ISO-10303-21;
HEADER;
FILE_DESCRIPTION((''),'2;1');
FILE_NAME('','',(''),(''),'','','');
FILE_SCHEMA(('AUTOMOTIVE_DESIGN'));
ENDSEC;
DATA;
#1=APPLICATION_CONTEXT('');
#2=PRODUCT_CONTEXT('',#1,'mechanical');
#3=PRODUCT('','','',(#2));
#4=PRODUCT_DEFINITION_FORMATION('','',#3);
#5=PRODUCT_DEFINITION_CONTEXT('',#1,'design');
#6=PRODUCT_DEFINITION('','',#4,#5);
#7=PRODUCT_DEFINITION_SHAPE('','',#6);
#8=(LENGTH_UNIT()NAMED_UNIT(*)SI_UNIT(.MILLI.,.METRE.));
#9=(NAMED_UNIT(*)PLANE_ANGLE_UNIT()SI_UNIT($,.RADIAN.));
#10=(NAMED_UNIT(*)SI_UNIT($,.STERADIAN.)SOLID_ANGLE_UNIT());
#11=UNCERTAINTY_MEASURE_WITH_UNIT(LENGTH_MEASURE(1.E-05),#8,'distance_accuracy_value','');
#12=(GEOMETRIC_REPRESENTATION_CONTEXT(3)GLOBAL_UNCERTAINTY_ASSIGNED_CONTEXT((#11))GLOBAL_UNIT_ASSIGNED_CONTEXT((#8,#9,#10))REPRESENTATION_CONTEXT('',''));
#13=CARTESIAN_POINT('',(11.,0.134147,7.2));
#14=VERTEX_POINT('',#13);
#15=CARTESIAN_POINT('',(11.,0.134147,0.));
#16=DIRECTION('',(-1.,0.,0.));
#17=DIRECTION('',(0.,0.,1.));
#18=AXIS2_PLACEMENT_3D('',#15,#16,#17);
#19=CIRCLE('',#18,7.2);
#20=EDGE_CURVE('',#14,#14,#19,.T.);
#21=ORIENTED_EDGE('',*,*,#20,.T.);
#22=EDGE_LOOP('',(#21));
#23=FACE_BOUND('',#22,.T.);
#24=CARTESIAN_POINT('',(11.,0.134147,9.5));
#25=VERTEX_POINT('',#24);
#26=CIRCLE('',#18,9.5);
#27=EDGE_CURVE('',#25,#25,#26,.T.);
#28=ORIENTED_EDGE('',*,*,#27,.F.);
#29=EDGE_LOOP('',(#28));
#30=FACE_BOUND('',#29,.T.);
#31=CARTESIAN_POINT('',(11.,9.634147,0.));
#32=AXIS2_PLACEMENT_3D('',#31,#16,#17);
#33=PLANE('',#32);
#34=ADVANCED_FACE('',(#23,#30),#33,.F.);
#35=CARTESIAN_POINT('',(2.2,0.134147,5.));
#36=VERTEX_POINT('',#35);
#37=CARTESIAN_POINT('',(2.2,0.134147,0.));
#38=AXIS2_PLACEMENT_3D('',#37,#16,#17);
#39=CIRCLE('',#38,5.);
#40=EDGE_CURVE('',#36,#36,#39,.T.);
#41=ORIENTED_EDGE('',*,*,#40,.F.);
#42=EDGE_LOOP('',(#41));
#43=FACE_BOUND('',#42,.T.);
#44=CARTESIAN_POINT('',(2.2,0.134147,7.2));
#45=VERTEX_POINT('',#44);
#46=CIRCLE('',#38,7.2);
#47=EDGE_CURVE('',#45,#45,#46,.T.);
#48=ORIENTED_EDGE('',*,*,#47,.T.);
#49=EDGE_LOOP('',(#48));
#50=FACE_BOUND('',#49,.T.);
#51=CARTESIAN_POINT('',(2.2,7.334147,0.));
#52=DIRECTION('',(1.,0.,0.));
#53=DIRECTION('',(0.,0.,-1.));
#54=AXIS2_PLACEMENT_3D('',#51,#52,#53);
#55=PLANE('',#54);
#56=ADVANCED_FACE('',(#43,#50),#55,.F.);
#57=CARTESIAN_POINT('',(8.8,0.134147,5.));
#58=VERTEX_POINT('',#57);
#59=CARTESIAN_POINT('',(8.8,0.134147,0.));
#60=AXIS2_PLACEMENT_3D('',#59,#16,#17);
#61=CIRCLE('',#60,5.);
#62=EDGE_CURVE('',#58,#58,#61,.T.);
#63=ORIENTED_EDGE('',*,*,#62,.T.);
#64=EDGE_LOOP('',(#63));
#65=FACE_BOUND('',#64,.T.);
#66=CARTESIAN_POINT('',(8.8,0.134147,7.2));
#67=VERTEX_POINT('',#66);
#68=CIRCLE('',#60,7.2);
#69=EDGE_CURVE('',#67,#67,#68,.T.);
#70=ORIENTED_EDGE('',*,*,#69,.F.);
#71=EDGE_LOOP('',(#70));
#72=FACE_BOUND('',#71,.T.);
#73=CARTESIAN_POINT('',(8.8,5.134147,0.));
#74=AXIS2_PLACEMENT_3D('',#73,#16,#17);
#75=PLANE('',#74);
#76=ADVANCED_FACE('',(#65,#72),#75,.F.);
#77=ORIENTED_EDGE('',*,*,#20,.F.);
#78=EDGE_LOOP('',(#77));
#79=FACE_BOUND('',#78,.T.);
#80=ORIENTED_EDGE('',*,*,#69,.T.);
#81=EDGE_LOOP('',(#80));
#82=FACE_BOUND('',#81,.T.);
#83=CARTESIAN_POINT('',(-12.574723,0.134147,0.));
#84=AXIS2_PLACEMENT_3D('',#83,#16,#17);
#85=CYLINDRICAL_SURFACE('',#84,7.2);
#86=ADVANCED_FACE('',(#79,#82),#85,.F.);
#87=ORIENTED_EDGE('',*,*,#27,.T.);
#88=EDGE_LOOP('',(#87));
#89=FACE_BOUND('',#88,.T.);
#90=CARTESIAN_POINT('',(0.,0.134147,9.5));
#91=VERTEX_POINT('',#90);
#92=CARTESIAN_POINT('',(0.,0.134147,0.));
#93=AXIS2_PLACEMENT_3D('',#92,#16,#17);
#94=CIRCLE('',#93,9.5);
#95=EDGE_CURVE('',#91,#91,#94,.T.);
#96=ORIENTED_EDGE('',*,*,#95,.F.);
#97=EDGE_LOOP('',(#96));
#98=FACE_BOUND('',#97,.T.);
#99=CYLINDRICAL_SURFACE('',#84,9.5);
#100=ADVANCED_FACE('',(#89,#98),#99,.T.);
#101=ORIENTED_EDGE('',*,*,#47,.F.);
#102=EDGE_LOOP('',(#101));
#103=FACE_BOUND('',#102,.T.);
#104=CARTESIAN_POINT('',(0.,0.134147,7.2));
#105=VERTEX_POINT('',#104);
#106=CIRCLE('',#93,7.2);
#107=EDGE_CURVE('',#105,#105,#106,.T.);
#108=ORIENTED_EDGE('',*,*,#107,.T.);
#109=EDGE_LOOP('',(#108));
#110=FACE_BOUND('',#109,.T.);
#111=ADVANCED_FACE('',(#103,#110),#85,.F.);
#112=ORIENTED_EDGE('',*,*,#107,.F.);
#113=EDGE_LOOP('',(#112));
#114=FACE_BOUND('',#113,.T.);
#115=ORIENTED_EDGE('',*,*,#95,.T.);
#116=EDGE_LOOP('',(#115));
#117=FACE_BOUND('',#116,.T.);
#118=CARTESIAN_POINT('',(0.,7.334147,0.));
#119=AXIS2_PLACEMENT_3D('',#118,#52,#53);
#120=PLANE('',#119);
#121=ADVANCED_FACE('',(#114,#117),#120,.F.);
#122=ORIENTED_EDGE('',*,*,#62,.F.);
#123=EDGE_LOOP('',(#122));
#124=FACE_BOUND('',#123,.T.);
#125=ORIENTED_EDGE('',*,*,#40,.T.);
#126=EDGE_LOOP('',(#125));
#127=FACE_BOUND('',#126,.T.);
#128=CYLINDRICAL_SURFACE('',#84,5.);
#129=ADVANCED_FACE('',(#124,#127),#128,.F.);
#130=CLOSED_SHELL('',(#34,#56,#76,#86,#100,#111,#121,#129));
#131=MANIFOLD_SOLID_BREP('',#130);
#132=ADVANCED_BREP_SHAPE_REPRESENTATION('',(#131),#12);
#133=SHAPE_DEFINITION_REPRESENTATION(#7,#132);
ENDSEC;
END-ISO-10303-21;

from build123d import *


with BuildPart() as part:
    # Esquisse1 → Base-Révolution (revolve)
    with BuildSketch(Plane.XY, mode=Mode.PRIVATE) as base_r_volution_sk:
        Polygon((0, 7.334147334), (0, 9.634147334), (11, 9.634147334), (11, 7.334147334), (8.8, 7.334147334), (8.8, 5.134147334), (2.2, 5.134147334), (2.2, 7.334147334), align=None)
    revolve(base_r_volution_sk.sketch.rotate(Axis((-12.574722565, 0.134147334, 0), (1, 0, 0)), 90), axis=Axis((-12.574722565, 0.134147334, 0), (1, 0, 0)))


solid = part.part
